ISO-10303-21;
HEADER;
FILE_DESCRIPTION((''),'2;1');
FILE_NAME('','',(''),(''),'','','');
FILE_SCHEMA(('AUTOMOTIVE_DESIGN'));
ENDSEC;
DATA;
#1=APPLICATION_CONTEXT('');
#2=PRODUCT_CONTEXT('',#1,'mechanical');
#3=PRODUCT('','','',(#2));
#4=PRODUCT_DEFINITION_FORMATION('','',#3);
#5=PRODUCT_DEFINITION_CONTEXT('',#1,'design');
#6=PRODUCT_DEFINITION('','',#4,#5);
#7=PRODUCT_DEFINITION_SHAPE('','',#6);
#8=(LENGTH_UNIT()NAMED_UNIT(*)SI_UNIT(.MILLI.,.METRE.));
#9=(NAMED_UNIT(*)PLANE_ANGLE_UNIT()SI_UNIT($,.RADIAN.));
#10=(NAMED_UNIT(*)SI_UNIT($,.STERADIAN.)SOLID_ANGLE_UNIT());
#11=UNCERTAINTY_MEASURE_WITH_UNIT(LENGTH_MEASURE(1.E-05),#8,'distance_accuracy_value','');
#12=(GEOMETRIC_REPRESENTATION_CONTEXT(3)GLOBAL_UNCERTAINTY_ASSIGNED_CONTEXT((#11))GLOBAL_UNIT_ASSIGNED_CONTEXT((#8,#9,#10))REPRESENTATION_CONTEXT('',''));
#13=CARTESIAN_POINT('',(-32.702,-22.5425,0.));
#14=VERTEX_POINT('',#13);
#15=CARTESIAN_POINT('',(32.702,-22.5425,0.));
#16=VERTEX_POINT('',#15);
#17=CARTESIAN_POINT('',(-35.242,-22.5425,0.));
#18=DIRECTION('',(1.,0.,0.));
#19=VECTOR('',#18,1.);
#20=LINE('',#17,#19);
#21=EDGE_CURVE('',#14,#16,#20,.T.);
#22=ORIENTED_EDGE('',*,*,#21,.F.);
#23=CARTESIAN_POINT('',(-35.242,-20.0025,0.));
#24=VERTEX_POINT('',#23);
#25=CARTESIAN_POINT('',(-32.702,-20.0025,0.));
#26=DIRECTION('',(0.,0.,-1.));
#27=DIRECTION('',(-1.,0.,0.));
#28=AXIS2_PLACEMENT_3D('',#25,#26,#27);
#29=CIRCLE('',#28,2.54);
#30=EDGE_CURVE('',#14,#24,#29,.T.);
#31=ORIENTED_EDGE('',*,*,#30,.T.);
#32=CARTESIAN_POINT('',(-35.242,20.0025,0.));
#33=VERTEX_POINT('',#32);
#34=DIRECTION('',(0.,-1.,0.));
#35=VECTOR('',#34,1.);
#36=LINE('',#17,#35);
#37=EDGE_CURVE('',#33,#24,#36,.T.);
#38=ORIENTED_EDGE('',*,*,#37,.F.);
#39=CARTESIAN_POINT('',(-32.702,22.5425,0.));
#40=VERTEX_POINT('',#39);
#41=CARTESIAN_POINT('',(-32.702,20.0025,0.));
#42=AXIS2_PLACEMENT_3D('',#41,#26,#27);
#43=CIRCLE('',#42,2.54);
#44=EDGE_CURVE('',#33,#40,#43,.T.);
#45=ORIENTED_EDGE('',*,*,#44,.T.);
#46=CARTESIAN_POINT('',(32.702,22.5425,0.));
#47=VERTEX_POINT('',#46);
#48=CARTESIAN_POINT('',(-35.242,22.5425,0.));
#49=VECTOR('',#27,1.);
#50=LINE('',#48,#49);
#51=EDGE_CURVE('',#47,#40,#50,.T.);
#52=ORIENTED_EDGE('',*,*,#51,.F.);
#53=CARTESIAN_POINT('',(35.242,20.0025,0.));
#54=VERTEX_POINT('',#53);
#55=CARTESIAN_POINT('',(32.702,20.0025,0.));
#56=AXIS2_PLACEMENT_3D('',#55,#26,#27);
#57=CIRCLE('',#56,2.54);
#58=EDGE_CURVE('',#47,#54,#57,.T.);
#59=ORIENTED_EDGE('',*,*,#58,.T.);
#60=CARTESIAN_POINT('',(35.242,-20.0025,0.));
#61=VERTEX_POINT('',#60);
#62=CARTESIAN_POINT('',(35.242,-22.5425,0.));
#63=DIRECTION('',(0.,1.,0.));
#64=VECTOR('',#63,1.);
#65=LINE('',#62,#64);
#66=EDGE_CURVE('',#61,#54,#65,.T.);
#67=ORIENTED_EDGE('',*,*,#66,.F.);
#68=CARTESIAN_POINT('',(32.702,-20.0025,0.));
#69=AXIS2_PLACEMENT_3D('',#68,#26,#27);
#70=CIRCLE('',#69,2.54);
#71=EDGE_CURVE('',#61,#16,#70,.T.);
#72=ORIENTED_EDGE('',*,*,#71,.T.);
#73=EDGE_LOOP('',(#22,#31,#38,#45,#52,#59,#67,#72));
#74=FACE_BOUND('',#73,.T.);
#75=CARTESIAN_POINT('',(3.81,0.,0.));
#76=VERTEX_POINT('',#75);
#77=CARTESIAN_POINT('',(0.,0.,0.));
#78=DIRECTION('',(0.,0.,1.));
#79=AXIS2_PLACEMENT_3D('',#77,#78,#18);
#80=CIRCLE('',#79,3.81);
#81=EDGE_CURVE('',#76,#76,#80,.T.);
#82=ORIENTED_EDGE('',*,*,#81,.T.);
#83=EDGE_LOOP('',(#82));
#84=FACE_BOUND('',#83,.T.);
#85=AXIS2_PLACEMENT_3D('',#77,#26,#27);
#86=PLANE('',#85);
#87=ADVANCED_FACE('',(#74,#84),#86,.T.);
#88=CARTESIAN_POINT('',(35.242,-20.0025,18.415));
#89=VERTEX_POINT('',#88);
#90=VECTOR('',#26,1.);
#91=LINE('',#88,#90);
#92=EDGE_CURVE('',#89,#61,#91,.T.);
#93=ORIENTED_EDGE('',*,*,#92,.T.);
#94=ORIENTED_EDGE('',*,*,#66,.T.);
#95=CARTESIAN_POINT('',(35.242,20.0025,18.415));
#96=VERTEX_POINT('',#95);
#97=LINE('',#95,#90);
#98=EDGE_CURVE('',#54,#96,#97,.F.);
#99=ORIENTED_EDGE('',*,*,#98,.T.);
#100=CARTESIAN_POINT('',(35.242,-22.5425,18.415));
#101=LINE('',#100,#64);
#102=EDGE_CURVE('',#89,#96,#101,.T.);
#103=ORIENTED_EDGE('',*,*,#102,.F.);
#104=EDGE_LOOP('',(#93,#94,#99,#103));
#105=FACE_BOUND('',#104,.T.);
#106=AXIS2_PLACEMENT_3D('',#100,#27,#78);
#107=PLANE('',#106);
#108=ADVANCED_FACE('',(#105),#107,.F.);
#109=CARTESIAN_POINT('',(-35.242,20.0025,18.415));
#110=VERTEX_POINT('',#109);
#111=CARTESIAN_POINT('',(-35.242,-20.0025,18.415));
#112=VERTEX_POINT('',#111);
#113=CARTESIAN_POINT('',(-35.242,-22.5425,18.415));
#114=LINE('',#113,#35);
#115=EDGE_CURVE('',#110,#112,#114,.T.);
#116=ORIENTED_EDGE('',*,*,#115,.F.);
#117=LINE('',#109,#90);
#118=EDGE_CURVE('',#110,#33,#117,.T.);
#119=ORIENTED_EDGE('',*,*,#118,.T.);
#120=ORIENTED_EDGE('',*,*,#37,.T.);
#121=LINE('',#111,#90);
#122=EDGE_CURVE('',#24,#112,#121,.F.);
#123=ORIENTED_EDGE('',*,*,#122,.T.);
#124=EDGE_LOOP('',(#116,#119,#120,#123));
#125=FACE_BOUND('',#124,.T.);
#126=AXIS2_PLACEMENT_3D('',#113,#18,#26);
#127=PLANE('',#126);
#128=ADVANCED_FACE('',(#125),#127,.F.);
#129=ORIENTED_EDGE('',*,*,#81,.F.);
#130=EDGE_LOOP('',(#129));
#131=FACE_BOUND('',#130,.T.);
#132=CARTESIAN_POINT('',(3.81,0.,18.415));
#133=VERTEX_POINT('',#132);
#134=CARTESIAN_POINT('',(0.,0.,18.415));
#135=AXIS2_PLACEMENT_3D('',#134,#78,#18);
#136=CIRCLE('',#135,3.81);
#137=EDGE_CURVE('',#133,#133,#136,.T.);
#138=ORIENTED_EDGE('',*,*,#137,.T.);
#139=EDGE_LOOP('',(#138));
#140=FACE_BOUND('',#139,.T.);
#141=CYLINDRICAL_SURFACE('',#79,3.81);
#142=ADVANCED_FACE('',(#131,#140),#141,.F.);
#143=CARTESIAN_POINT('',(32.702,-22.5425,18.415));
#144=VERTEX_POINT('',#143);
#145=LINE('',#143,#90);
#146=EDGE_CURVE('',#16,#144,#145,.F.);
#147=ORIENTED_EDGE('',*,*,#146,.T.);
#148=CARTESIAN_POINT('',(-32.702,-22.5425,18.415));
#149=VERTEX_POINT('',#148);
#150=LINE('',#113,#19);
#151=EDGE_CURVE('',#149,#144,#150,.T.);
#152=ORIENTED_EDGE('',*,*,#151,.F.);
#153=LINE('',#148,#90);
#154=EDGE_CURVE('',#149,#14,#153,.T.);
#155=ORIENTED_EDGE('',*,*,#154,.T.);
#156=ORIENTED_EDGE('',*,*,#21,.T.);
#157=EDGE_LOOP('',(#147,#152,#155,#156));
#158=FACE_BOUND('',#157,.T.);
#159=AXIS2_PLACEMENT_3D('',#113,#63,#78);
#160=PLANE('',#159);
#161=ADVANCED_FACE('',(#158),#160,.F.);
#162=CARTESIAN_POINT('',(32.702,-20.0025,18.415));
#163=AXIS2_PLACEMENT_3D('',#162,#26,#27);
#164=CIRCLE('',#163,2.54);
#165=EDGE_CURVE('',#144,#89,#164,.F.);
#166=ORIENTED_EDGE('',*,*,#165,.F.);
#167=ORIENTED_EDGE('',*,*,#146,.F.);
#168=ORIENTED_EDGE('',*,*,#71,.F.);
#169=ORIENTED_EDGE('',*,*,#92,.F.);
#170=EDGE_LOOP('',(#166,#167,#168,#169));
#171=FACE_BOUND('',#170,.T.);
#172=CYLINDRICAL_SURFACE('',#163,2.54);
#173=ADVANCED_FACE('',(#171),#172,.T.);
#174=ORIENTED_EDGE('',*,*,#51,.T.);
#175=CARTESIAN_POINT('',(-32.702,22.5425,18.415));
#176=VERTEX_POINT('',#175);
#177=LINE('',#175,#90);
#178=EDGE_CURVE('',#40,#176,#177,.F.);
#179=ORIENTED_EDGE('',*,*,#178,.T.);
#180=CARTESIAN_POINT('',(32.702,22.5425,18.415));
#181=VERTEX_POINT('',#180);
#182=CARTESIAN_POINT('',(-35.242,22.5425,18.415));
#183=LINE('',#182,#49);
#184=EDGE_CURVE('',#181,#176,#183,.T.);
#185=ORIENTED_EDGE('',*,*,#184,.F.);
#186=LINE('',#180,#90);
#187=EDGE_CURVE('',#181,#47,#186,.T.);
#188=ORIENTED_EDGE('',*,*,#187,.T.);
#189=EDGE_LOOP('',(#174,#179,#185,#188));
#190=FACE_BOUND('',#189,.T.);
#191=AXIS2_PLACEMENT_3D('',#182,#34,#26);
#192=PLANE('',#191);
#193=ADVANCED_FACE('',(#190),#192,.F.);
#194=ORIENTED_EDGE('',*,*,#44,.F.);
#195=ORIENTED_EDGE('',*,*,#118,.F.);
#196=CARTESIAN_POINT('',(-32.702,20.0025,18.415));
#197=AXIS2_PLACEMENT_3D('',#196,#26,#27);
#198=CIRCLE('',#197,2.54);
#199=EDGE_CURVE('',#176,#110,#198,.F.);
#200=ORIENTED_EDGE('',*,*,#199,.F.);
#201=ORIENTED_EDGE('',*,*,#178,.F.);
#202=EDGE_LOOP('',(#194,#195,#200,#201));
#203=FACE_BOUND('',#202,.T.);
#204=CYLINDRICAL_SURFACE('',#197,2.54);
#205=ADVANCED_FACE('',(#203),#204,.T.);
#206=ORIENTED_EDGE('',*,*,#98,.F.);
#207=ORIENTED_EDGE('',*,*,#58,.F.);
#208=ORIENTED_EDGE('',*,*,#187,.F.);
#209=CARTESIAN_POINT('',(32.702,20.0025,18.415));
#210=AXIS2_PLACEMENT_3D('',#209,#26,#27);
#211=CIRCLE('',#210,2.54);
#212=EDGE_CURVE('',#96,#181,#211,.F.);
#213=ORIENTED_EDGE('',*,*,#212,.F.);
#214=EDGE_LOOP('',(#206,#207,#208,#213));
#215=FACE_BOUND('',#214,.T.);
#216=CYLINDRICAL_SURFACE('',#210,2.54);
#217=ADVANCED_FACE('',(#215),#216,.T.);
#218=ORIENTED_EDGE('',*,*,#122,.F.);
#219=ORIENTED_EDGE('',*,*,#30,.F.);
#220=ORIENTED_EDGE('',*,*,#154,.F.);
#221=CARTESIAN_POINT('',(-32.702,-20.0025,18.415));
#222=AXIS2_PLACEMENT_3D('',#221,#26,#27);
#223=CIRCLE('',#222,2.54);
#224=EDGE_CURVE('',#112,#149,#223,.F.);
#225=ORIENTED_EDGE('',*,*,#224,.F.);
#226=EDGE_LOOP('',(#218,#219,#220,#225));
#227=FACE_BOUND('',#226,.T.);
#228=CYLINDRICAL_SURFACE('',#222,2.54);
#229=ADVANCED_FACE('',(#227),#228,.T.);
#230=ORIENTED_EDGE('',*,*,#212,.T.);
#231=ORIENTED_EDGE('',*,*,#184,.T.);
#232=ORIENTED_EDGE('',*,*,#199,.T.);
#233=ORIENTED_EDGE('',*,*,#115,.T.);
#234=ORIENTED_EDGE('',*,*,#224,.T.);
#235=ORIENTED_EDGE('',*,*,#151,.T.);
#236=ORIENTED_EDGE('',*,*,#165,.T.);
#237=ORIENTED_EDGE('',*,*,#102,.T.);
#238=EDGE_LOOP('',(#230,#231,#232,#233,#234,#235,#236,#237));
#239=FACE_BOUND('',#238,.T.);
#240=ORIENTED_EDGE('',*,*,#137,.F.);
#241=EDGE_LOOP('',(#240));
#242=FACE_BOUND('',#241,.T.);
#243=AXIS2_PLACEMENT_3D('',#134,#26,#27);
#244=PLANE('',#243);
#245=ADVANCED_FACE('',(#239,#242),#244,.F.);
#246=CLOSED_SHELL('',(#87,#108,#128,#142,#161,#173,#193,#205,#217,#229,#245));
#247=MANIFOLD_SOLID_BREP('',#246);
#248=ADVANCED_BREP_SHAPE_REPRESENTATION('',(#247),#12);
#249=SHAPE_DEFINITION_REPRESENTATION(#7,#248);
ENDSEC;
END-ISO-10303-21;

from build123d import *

# Parameters (mm, degrees)
SKETCH2_W           = 70.484
SKETCH2_H           = 45.085
BOSS_EXTRUDE1_DEPTH = 18.415
FILLET1_R           = 2.54
SKETCH3_R           = 3.81
CUT_EXTRUDE1_DEPTH  = 46.708588856


with BuildPart() as part:
    # Sketch2 → Boss-Extrude1 (new body)
    with BuildSketch(Plane.XY):
        Rectangle(SKETCH2_W, SKETCH2_H)
    extrude(amount=BOSS_EXTRUDE1_DEPTH)

    # Fillet1
    fillet1_edges = [part.edges().sort_by_distance(p)[0] for p in [
        (35.242, -22.5425, 9.2075),
        (-35.242, -22.5425, 9.2075),
        (-35.242, 22.5425, 9.2075),
        (35.242, 22.5425, 9.2075),
    ]]
    fillet(fillet1_edges, radius=FILLET1_R)

    # Sketch3 → Cut-Extrude1 (cut, through all)
    with BuildSketch(Plane.XY.offset(18.415)):
        Circle(SKETCH3_R)
    extrude(amount=-CUT_EXTRUDE1_DEPTH, mode=Mode.SUBTRACT)


solid = part.part
